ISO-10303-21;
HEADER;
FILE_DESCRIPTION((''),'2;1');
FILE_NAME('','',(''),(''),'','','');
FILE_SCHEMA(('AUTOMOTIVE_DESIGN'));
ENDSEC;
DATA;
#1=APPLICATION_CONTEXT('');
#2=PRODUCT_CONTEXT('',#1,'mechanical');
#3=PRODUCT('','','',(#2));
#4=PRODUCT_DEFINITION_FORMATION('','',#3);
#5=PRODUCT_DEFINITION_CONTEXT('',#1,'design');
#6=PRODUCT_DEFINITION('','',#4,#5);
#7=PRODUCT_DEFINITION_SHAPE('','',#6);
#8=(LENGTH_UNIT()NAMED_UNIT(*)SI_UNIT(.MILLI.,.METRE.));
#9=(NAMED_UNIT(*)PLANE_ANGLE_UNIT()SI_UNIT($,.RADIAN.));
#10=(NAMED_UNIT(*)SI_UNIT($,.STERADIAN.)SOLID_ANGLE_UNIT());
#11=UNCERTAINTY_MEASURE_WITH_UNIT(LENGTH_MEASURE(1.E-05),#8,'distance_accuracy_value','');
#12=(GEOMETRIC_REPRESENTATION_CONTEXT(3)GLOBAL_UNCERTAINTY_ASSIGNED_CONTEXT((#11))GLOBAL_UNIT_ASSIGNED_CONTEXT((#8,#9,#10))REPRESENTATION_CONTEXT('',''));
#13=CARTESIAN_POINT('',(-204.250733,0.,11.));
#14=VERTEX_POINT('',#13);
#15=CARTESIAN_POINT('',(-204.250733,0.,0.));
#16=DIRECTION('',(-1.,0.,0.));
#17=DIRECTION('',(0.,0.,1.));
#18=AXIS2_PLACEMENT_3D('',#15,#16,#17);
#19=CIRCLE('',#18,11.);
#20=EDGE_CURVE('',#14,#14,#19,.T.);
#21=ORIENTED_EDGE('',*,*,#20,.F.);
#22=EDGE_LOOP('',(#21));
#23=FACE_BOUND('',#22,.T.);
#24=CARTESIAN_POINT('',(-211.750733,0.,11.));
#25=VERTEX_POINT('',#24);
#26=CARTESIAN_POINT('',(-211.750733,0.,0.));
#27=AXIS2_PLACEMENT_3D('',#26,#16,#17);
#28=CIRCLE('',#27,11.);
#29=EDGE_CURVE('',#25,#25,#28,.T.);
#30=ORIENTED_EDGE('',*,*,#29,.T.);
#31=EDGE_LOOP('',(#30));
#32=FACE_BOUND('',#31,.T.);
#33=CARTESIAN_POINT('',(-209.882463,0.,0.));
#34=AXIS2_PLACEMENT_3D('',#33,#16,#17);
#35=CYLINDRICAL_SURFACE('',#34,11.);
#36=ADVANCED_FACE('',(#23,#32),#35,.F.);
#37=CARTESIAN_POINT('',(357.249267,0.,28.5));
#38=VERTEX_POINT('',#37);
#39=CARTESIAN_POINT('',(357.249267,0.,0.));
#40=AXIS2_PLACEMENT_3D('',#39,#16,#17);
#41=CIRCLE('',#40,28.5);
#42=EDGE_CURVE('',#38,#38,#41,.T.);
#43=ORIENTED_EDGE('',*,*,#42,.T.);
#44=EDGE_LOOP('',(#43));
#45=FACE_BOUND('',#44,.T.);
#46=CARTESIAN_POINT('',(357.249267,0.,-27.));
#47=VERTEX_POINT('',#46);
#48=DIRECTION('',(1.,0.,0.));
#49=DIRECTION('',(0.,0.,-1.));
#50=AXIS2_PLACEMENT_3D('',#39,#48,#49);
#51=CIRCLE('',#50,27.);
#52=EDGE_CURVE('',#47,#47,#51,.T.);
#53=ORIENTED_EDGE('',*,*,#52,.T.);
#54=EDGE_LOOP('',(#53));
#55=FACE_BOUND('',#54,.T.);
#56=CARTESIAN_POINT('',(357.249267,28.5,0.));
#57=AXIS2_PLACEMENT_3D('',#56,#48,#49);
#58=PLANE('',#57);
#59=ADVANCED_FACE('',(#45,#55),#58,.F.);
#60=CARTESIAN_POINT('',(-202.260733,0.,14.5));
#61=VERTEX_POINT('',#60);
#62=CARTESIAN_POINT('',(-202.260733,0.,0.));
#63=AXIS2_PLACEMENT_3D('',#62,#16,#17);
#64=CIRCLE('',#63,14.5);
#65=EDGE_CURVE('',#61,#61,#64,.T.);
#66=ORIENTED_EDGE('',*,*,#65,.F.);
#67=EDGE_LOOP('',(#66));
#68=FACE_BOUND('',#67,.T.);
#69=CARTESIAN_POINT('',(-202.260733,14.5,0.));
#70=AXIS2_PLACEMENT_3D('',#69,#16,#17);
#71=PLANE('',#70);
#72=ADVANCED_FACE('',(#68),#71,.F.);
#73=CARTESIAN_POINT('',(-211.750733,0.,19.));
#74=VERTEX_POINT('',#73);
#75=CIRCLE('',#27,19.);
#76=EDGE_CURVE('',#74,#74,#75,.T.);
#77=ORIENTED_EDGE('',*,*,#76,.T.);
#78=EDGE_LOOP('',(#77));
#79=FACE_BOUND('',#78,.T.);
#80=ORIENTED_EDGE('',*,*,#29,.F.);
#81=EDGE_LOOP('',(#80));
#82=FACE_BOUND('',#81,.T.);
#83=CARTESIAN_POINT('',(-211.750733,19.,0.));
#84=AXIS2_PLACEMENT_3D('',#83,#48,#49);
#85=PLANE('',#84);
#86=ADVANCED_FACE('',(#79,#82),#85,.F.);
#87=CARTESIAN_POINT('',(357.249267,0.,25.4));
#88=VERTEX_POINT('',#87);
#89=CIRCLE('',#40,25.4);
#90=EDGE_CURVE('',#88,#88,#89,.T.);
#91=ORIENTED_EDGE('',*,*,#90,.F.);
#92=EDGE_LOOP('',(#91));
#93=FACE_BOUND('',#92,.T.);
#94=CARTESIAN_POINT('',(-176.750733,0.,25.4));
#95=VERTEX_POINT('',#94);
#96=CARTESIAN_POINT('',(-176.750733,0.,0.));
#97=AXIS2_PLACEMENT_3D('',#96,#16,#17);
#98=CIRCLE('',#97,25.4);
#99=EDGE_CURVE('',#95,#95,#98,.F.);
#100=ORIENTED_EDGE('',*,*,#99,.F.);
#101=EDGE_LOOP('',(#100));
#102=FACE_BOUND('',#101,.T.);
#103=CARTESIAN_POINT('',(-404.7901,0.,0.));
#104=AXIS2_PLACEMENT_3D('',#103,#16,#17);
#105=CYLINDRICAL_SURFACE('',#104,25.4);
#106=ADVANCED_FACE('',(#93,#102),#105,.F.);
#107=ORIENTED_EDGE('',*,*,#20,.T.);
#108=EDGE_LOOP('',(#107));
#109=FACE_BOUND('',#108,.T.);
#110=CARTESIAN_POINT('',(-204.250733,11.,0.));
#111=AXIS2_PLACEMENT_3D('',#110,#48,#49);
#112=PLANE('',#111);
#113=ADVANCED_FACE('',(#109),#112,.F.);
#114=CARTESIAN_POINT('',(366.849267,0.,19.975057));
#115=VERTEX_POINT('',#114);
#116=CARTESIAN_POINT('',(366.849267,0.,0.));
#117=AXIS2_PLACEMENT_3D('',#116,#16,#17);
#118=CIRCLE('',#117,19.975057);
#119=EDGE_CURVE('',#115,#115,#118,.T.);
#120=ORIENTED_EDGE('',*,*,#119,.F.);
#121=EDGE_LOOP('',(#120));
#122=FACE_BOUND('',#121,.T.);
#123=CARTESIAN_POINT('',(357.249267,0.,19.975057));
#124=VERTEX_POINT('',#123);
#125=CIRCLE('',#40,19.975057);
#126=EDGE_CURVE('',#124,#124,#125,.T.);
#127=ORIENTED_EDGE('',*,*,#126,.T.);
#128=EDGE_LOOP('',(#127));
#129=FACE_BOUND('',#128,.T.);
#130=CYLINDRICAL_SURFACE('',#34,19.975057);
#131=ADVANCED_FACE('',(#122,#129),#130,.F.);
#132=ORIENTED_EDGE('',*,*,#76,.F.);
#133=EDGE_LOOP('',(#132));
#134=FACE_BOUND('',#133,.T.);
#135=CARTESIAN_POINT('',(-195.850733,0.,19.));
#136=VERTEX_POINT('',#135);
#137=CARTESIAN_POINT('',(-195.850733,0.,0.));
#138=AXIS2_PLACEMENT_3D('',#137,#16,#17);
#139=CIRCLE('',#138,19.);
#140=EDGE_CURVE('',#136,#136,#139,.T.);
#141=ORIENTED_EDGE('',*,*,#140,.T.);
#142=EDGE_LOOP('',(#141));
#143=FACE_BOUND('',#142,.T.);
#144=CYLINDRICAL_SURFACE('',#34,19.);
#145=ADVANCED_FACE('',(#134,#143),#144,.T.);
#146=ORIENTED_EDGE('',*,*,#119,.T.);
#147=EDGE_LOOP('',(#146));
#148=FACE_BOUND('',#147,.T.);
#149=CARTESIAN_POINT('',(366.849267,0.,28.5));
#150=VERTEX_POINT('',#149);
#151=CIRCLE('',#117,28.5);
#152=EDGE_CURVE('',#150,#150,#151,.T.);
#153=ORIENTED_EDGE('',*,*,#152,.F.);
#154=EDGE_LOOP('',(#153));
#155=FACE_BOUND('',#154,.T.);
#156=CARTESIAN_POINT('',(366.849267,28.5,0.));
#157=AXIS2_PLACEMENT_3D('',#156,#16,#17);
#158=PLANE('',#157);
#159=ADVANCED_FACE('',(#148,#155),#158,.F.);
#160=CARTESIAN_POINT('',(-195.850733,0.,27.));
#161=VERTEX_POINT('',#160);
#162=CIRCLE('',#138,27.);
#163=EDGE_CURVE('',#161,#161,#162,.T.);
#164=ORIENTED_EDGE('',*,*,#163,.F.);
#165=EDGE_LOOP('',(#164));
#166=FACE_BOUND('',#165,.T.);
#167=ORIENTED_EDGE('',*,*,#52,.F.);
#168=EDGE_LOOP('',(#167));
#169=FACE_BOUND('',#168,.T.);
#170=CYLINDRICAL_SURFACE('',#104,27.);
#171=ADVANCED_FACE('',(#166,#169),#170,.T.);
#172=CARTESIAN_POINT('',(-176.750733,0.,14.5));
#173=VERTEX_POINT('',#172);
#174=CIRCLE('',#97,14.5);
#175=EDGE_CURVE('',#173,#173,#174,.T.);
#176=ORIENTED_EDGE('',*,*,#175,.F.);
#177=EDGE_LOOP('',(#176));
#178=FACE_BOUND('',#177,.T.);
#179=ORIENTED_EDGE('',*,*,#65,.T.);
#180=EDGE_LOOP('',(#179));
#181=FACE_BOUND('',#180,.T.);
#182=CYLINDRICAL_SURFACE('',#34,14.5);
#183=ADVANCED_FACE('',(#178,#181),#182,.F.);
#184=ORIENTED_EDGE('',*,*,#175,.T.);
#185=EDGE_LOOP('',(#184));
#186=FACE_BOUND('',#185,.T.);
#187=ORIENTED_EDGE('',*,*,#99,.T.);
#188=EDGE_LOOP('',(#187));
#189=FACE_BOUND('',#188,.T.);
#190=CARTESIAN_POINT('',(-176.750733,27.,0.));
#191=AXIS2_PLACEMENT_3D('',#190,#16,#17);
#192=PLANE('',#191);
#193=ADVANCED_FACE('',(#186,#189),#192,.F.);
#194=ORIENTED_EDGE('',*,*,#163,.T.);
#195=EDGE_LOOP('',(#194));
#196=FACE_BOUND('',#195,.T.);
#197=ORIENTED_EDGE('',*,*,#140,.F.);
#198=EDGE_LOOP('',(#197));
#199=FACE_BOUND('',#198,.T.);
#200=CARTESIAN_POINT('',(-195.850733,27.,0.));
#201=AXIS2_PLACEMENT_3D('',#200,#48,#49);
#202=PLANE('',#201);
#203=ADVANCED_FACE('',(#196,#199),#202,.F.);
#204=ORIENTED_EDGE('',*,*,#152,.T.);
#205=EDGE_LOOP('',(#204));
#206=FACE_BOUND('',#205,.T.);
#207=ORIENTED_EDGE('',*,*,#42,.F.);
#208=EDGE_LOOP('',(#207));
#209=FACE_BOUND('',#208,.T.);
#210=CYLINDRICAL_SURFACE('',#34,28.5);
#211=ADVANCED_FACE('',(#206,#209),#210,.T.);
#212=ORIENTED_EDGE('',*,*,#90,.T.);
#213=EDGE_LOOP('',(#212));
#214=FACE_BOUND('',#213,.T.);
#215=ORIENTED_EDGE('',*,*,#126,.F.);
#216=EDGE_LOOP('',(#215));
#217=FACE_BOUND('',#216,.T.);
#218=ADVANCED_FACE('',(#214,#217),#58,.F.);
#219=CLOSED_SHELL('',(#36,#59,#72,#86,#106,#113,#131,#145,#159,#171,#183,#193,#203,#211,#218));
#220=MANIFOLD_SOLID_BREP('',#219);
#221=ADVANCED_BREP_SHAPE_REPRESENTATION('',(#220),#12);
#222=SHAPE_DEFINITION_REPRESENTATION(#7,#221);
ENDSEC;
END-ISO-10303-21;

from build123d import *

# Parameters (mm, degrees)
SKETCH1_W = 550
SKETCH1_H = 1.6
SKETCH2_W = 9.6
SKETCH2_H = 8.524943062


with BuildPart() as part:
    # Sketch1 → Revolve1 (revolve)
    with BuildSketch(Plane.XY, mode=Mode.PRIVATE) as revolve1_sk:
        with Locations((82.249266675, 26.2)):
            Rectangle(SKETCH1_W, SKETCH1_H)
    revolve(revolve1_sk.sketch.rotate(Axis((-404.790100073, 0, 0), (1, 0, 0)), 90), axis=Axis((-404.790100073, 0, 0), (1, 0, 0)))

    # Sketch2 → Revolve2 (revolve)
    with BuildSketch(Plane.XY, mode=Mode.PRIVATE) as revolve2_sk:
        with Locations((362.049266675, 24.237528469)):
            Rectangle(SKETCH2_W, SKETCH2_H)
        Polygon((-176.750733325, 27), (-176.750733325, 14.5), (-202.260733325, 14.5), (-202.260733325, 0), (-204.250733325, 0), (-204.250733325, 11), (-211.750733325, 11), (-211.750733325, 19), (-195.850733325, 19), (-195.850733325, 27), align=None)
    revolve(revolve2_sk.sketch.rotate(Axis((-209.882463346, 0, 0), (1, 0, 0)), 90), axis=Axis((-209.882463346, 0, 0), (1, 0, 0)))


solid = part.part
